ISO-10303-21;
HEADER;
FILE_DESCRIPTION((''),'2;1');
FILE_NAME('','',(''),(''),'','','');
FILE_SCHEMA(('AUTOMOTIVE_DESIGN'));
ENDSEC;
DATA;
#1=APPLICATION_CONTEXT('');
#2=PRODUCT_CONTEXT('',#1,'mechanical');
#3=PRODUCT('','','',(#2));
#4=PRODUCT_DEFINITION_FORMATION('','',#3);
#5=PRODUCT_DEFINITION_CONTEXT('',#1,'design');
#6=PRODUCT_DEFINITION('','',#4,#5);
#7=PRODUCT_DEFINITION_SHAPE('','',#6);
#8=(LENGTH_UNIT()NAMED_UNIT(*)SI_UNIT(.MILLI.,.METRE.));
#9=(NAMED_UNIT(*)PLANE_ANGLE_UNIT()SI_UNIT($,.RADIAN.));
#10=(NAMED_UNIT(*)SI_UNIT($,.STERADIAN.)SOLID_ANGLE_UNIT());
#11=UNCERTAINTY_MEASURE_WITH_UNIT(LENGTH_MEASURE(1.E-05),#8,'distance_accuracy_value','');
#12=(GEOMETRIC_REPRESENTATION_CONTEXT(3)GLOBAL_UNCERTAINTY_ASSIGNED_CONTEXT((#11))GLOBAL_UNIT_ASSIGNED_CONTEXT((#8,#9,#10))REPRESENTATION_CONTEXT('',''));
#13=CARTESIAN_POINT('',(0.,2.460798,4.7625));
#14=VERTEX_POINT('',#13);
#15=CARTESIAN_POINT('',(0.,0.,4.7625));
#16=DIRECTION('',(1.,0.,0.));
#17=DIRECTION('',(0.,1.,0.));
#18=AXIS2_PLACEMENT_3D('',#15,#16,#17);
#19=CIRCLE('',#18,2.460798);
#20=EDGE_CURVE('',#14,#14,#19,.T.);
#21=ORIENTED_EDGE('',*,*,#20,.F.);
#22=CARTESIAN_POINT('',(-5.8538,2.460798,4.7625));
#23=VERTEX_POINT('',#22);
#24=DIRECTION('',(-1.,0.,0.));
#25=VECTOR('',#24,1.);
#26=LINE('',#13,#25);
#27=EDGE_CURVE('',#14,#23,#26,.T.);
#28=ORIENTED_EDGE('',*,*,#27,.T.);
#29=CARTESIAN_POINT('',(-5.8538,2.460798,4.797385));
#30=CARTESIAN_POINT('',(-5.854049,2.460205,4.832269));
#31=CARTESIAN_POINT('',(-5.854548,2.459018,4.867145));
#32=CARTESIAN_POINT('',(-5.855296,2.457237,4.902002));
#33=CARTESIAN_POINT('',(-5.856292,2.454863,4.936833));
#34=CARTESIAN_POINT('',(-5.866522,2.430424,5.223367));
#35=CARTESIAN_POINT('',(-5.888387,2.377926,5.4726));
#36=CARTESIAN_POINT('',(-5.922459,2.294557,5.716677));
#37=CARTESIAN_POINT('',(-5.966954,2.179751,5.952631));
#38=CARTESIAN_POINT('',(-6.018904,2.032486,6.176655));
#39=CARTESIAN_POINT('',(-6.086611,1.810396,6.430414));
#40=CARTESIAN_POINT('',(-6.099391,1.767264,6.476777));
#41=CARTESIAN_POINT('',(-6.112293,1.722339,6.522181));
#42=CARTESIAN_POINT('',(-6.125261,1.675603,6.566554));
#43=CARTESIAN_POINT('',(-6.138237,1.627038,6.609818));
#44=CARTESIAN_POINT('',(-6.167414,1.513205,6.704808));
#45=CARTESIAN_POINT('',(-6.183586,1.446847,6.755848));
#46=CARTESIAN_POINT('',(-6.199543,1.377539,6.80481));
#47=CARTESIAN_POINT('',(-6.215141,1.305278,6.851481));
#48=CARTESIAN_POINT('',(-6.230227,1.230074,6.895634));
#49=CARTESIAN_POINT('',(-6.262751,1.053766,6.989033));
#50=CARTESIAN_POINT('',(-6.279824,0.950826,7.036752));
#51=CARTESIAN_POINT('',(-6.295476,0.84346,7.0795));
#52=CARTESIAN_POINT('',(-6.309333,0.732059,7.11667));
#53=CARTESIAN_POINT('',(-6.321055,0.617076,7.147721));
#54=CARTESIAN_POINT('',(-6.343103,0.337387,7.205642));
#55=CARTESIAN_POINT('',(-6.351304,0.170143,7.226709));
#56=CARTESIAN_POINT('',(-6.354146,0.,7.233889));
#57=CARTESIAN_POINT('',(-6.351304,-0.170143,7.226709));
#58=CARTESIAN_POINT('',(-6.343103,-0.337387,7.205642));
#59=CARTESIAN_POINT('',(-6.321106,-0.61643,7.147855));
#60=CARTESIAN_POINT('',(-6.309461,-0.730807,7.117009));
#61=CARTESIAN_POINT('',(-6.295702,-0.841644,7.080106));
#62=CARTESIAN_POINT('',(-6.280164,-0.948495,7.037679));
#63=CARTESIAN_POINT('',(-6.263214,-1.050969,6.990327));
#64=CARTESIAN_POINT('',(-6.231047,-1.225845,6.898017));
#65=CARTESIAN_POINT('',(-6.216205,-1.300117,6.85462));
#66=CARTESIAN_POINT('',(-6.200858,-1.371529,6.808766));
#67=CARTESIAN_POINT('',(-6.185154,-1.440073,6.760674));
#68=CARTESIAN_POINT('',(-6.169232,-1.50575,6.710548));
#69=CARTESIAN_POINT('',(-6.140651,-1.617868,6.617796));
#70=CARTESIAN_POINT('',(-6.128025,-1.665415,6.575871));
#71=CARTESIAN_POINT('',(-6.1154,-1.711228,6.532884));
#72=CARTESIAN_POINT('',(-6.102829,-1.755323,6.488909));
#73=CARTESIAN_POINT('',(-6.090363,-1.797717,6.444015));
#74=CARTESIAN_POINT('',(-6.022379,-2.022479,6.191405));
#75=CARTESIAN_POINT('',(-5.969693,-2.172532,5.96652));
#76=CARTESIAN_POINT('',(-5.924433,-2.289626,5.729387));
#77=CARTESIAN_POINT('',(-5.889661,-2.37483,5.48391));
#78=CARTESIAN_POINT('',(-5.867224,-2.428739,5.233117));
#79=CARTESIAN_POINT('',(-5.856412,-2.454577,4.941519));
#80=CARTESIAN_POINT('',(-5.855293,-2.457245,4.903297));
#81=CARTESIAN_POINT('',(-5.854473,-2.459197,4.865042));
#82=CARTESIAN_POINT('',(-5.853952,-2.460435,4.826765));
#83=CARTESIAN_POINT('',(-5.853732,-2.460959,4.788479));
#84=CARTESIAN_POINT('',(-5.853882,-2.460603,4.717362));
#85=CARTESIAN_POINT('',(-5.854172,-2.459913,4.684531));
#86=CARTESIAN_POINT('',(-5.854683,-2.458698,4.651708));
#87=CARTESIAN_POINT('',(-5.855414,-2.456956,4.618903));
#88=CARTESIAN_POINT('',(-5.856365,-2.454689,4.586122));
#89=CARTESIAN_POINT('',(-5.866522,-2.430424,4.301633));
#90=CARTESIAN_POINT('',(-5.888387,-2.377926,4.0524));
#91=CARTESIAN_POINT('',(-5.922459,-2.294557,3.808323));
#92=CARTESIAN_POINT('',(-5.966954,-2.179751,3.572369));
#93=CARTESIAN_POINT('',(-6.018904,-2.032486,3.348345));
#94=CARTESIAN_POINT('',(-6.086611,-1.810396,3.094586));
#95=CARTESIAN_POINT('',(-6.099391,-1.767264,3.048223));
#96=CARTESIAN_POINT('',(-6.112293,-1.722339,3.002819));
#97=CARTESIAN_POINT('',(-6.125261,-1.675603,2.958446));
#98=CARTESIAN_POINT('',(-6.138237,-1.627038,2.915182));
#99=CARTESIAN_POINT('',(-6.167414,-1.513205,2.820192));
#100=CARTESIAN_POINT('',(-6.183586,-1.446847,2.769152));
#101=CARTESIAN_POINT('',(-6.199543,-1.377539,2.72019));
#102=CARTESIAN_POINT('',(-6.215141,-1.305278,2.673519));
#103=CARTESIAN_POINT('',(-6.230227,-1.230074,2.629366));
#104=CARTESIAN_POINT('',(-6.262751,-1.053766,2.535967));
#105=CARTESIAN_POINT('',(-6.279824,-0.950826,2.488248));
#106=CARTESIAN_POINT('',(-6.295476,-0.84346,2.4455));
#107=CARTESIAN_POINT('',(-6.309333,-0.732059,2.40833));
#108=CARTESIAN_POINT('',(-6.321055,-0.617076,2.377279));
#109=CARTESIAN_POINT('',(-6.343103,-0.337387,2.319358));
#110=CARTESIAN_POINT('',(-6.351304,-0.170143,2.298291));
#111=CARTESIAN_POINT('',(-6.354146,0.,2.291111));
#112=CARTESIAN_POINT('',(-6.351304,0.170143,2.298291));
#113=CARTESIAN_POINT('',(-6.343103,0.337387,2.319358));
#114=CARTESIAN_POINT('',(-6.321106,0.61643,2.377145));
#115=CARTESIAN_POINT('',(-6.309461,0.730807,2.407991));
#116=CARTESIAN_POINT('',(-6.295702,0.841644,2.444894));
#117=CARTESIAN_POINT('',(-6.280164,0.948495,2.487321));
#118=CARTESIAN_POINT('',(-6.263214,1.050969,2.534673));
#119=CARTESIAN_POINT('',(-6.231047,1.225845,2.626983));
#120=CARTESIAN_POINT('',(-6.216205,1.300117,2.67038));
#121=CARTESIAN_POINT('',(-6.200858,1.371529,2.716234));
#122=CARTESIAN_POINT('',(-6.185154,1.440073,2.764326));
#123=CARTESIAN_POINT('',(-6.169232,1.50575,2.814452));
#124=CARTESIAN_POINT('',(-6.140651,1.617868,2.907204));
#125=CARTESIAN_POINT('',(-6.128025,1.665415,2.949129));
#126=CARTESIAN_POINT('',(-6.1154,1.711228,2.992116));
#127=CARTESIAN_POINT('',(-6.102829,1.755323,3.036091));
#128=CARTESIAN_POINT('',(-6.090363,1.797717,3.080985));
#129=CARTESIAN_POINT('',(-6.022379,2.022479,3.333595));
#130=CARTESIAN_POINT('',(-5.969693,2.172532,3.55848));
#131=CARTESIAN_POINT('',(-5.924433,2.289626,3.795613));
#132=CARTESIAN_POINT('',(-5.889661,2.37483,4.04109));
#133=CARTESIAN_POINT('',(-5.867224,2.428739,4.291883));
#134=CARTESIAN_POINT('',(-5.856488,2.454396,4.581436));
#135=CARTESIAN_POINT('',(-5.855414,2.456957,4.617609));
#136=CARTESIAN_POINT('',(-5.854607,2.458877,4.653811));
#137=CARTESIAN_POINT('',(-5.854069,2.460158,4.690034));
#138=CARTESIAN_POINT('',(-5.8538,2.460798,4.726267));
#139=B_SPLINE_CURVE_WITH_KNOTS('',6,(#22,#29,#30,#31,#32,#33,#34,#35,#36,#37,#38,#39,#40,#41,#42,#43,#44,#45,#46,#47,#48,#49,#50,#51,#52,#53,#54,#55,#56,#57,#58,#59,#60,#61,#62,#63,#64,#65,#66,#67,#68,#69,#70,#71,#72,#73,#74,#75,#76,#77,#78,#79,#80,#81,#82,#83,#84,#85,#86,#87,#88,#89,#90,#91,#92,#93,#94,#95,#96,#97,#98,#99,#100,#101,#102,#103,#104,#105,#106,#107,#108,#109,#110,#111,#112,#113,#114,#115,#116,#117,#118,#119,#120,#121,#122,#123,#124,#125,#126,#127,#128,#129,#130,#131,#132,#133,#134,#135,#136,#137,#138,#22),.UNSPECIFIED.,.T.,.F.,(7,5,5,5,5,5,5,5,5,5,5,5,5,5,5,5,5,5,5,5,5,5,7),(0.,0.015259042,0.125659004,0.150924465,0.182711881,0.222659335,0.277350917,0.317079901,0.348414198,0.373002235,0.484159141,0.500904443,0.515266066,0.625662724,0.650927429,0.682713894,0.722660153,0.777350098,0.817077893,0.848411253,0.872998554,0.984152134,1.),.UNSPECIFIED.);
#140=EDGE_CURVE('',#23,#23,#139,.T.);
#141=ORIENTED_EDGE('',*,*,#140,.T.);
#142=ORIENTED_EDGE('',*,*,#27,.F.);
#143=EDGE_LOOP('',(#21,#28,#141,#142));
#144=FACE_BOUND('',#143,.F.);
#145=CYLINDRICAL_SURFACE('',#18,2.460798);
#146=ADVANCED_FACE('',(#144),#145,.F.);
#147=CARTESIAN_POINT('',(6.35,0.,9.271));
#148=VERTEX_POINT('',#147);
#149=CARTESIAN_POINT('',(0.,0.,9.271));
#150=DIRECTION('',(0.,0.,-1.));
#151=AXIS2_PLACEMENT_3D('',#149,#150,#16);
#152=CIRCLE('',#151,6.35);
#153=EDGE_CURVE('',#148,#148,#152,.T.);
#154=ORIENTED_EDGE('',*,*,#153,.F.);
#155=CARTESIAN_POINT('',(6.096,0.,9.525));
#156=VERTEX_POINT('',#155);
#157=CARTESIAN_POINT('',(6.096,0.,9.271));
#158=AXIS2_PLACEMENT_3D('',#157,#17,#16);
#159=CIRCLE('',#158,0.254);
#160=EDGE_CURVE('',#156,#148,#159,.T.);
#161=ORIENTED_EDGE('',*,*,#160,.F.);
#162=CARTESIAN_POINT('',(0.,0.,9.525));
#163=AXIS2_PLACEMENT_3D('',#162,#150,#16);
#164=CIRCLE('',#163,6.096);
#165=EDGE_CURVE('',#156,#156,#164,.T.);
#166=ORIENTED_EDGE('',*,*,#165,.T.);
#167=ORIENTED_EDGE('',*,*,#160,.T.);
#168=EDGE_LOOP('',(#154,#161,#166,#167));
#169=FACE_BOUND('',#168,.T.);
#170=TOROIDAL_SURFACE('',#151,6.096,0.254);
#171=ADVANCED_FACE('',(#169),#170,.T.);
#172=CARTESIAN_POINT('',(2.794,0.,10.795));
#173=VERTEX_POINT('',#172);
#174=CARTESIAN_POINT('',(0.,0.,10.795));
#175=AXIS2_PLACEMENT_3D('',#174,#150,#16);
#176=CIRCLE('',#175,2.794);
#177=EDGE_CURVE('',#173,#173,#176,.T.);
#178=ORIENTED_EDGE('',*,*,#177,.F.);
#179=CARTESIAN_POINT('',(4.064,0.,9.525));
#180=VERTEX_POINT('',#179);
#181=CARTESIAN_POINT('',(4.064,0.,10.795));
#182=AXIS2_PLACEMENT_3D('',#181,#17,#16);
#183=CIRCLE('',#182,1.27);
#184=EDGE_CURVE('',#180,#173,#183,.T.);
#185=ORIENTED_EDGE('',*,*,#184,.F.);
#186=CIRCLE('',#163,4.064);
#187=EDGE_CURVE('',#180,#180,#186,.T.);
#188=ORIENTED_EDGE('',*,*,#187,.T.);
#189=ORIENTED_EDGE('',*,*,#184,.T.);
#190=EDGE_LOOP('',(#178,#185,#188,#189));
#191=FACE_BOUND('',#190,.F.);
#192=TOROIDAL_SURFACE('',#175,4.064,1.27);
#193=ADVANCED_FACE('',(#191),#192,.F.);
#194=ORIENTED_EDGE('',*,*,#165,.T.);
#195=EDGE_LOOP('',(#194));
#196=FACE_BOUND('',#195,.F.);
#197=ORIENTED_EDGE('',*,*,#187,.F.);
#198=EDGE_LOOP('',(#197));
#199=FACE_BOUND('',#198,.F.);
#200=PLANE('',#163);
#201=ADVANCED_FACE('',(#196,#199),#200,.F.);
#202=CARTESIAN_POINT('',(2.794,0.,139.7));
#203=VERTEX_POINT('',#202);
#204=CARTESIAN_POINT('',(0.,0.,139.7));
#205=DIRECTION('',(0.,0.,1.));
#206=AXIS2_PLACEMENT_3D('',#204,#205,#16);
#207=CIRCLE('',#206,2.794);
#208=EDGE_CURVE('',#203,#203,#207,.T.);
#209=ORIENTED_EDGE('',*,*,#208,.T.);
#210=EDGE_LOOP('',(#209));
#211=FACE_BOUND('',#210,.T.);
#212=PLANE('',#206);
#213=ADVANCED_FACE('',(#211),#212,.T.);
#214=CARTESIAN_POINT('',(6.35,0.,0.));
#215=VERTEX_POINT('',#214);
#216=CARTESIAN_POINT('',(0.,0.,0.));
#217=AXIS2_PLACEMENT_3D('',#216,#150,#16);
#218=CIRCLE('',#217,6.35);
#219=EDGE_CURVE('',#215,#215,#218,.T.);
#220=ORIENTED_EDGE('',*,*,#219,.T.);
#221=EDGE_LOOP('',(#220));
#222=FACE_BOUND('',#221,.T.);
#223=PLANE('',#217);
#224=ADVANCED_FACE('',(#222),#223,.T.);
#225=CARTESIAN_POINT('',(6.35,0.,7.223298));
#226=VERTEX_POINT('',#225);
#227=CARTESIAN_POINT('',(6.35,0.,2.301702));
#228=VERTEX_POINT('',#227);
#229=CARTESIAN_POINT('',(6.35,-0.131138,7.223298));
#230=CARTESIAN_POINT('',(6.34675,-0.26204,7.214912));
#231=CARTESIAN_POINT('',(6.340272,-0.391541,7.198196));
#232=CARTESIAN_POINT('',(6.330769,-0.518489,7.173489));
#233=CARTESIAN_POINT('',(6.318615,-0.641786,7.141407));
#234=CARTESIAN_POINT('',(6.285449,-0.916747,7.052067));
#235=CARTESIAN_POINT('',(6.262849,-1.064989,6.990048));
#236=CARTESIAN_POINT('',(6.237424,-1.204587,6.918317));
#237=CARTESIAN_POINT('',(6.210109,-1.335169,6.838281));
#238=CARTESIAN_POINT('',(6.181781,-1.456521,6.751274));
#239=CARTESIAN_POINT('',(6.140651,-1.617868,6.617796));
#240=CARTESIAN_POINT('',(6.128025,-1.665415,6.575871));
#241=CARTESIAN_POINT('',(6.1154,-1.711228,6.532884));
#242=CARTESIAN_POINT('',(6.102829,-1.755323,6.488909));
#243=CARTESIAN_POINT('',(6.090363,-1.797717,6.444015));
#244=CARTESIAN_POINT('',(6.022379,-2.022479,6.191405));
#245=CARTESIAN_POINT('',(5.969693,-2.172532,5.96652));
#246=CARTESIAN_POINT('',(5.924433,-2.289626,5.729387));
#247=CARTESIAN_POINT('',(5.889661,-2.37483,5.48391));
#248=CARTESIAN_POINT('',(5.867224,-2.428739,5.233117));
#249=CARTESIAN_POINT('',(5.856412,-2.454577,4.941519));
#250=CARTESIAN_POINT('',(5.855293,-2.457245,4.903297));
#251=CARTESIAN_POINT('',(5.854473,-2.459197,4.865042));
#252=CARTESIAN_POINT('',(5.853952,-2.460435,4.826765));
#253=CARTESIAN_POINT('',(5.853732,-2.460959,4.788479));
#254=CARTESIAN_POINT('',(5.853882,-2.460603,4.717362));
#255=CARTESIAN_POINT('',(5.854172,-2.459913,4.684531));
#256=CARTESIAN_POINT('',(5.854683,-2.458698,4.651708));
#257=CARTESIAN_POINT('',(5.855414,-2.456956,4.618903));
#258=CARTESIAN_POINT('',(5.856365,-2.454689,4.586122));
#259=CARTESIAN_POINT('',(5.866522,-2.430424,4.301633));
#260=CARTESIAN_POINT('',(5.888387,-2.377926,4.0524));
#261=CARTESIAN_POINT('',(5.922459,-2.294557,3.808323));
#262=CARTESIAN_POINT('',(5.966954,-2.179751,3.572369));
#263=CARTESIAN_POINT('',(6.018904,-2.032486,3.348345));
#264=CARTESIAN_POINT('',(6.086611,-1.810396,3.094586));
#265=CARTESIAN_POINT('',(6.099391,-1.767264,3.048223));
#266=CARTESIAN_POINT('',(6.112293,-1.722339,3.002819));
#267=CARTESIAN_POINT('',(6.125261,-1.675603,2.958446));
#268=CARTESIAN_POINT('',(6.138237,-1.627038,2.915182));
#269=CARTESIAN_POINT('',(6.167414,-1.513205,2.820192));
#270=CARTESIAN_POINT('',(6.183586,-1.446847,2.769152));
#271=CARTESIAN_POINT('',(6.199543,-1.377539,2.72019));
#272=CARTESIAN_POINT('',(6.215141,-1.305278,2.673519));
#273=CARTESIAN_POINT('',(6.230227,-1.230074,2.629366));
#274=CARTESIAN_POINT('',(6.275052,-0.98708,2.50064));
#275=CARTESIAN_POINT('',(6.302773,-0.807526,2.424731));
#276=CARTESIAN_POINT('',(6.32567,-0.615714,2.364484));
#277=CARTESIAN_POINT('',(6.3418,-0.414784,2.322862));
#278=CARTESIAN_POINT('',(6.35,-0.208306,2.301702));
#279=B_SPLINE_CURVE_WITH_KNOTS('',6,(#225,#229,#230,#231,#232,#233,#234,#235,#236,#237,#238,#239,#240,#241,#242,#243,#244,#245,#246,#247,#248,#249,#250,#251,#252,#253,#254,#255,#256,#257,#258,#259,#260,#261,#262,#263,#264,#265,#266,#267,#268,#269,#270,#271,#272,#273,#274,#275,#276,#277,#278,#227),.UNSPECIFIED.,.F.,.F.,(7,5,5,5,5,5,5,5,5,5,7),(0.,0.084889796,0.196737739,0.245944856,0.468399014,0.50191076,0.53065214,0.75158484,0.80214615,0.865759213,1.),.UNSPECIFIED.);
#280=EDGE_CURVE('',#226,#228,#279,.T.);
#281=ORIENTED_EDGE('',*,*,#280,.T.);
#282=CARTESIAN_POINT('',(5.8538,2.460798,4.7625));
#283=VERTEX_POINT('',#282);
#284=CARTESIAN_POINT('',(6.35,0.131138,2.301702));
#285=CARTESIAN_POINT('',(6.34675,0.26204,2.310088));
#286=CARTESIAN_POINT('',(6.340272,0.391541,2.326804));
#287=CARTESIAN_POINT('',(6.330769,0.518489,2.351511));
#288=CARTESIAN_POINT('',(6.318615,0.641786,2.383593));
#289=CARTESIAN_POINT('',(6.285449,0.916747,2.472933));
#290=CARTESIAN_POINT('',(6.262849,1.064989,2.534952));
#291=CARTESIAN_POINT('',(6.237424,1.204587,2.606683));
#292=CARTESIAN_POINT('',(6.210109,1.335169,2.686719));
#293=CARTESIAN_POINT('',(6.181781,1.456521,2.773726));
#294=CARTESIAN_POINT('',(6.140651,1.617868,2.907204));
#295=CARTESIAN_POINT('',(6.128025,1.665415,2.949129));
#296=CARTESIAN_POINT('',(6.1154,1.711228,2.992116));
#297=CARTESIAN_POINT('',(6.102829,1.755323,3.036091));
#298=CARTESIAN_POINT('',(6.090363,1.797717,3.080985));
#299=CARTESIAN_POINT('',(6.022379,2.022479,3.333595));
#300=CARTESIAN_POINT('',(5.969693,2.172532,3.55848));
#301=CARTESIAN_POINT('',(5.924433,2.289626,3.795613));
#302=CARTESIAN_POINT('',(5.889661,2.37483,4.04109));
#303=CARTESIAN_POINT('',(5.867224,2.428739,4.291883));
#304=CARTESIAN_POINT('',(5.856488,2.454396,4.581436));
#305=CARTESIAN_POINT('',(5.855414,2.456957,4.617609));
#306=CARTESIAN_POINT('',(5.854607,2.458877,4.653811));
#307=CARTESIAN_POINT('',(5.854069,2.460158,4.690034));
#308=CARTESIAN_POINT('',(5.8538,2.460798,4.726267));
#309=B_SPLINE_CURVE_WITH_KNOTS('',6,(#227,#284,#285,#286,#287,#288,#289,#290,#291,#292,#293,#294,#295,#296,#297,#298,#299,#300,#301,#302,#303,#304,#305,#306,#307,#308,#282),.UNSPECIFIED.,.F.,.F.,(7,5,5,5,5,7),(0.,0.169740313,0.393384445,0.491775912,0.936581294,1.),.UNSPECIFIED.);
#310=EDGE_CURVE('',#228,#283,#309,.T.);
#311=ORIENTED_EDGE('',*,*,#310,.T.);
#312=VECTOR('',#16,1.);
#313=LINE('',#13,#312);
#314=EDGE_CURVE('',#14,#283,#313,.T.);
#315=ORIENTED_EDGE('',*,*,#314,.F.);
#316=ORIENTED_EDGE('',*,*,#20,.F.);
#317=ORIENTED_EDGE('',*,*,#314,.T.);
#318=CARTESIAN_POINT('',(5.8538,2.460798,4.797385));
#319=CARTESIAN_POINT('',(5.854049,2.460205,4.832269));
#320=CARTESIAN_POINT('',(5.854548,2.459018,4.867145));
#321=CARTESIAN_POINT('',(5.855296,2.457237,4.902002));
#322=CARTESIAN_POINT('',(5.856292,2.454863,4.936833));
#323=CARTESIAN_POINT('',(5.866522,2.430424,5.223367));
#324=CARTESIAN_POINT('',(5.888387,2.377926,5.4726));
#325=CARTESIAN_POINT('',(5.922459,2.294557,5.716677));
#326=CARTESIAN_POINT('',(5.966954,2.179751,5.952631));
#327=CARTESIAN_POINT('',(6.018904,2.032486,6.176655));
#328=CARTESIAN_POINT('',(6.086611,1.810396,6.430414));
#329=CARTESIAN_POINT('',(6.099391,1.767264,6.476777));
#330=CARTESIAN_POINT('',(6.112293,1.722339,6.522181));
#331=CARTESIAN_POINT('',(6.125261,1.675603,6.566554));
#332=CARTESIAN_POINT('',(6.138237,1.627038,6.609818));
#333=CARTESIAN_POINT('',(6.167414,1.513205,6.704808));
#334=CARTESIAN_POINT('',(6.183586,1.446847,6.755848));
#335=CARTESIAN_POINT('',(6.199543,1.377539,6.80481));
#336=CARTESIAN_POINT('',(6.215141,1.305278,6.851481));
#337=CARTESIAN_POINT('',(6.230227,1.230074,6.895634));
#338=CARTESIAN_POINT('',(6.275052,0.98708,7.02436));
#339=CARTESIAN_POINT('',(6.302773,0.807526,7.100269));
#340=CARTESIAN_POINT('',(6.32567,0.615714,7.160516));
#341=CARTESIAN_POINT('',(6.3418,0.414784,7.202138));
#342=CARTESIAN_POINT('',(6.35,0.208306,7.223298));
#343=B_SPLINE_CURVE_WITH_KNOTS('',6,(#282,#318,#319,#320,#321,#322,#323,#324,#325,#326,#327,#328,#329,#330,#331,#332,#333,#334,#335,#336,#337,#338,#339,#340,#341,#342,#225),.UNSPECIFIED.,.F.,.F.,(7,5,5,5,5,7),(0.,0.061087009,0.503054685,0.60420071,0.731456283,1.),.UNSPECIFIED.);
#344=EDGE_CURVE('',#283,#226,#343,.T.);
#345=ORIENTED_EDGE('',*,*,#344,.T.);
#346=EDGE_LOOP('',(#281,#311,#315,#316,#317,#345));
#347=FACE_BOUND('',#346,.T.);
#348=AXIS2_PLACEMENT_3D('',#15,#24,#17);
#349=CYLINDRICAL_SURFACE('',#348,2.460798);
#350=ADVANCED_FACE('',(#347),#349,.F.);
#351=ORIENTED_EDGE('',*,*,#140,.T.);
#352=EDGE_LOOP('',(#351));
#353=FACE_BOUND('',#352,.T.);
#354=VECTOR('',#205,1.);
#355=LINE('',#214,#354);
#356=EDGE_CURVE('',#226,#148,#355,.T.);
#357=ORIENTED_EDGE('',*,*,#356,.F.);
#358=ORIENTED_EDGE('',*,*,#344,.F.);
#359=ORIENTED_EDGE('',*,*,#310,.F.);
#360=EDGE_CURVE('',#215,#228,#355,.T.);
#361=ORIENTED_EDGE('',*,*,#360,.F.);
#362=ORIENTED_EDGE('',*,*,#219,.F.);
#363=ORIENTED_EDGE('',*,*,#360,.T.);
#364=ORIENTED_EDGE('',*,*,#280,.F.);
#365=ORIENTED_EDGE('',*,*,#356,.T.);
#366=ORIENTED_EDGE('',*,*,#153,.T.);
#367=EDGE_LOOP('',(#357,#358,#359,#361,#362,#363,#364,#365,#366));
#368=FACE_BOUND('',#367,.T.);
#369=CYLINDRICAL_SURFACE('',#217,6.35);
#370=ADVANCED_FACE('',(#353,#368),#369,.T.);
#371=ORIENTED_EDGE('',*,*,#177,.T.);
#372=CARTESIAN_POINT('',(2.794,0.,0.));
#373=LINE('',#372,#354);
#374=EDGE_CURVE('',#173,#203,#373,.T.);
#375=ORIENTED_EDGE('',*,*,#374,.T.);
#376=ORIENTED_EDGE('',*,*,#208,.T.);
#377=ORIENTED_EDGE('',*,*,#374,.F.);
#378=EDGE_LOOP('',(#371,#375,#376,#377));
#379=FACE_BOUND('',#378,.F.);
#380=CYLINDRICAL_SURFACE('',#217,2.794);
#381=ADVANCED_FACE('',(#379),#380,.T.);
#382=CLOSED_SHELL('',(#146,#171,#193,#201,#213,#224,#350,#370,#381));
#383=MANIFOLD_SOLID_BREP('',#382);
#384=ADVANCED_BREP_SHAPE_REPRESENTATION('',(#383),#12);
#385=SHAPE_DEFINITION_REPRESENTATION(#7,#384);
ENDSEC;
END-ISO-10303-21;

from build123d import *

# Parameters (mm, degrees)
F0_R     = 2.794
F1_DEPTH = 139.7
F2_R     = 6.35
F3_DEPTH = 9.525
F4_R     = 1.27
F5_R     = 0.254
F6_R     = 2.460798
F7_DEPTH = 25.4
F8_DEPTH = 25.4


with BuildPart() as f1:
    # F0 (on Top) → F1 (new body)
    with BuildSketch(Plane.XY):
        Circle(F0_R)
    extrude(amount=F1_DEPTH)

    # F2 (on face) → F3 (join)
    with BuildSketch(Plane(origin=(0, 0, 0), x_dir=(1, 0, 0), z_dir=(0, 0, -1))):
        Circle(F2_R)
    extrude(amount=-F3_DEPTH)

    # F4
    f4_edges = [f1.edges().sort_by_distance(p)[0] for p in [
        (-2.794, 0, 9.525),
    ]]
    fillet(f4_edges, radius=F4_R)

    # F5
    f5_edges = [f1.edges().sort_by_distance(p)[0] for p in [
        (-6.35, 0, 9.525),
    ]]
    fillet(f5_edges, radius=F5_R)

    # F6 (on Right) → F7 (cut)
    with BuildSketch(Plane.YZ):
        with Locations((0, 4.7625)):
            Circle(F6_R)
    extrude(amount=-F7_DEPTH, mode=Mode.SUBTRACT)

    # F6 (on Right) → F8 (cut)
    with BuildSketch(Plane.YZ):
        with Locations((0, 4.7625)):
            Circle(F6_R)
    extrude(amount=F8_DEPTH, mode=Mode.SUBTRACT)


solid = f1.part
